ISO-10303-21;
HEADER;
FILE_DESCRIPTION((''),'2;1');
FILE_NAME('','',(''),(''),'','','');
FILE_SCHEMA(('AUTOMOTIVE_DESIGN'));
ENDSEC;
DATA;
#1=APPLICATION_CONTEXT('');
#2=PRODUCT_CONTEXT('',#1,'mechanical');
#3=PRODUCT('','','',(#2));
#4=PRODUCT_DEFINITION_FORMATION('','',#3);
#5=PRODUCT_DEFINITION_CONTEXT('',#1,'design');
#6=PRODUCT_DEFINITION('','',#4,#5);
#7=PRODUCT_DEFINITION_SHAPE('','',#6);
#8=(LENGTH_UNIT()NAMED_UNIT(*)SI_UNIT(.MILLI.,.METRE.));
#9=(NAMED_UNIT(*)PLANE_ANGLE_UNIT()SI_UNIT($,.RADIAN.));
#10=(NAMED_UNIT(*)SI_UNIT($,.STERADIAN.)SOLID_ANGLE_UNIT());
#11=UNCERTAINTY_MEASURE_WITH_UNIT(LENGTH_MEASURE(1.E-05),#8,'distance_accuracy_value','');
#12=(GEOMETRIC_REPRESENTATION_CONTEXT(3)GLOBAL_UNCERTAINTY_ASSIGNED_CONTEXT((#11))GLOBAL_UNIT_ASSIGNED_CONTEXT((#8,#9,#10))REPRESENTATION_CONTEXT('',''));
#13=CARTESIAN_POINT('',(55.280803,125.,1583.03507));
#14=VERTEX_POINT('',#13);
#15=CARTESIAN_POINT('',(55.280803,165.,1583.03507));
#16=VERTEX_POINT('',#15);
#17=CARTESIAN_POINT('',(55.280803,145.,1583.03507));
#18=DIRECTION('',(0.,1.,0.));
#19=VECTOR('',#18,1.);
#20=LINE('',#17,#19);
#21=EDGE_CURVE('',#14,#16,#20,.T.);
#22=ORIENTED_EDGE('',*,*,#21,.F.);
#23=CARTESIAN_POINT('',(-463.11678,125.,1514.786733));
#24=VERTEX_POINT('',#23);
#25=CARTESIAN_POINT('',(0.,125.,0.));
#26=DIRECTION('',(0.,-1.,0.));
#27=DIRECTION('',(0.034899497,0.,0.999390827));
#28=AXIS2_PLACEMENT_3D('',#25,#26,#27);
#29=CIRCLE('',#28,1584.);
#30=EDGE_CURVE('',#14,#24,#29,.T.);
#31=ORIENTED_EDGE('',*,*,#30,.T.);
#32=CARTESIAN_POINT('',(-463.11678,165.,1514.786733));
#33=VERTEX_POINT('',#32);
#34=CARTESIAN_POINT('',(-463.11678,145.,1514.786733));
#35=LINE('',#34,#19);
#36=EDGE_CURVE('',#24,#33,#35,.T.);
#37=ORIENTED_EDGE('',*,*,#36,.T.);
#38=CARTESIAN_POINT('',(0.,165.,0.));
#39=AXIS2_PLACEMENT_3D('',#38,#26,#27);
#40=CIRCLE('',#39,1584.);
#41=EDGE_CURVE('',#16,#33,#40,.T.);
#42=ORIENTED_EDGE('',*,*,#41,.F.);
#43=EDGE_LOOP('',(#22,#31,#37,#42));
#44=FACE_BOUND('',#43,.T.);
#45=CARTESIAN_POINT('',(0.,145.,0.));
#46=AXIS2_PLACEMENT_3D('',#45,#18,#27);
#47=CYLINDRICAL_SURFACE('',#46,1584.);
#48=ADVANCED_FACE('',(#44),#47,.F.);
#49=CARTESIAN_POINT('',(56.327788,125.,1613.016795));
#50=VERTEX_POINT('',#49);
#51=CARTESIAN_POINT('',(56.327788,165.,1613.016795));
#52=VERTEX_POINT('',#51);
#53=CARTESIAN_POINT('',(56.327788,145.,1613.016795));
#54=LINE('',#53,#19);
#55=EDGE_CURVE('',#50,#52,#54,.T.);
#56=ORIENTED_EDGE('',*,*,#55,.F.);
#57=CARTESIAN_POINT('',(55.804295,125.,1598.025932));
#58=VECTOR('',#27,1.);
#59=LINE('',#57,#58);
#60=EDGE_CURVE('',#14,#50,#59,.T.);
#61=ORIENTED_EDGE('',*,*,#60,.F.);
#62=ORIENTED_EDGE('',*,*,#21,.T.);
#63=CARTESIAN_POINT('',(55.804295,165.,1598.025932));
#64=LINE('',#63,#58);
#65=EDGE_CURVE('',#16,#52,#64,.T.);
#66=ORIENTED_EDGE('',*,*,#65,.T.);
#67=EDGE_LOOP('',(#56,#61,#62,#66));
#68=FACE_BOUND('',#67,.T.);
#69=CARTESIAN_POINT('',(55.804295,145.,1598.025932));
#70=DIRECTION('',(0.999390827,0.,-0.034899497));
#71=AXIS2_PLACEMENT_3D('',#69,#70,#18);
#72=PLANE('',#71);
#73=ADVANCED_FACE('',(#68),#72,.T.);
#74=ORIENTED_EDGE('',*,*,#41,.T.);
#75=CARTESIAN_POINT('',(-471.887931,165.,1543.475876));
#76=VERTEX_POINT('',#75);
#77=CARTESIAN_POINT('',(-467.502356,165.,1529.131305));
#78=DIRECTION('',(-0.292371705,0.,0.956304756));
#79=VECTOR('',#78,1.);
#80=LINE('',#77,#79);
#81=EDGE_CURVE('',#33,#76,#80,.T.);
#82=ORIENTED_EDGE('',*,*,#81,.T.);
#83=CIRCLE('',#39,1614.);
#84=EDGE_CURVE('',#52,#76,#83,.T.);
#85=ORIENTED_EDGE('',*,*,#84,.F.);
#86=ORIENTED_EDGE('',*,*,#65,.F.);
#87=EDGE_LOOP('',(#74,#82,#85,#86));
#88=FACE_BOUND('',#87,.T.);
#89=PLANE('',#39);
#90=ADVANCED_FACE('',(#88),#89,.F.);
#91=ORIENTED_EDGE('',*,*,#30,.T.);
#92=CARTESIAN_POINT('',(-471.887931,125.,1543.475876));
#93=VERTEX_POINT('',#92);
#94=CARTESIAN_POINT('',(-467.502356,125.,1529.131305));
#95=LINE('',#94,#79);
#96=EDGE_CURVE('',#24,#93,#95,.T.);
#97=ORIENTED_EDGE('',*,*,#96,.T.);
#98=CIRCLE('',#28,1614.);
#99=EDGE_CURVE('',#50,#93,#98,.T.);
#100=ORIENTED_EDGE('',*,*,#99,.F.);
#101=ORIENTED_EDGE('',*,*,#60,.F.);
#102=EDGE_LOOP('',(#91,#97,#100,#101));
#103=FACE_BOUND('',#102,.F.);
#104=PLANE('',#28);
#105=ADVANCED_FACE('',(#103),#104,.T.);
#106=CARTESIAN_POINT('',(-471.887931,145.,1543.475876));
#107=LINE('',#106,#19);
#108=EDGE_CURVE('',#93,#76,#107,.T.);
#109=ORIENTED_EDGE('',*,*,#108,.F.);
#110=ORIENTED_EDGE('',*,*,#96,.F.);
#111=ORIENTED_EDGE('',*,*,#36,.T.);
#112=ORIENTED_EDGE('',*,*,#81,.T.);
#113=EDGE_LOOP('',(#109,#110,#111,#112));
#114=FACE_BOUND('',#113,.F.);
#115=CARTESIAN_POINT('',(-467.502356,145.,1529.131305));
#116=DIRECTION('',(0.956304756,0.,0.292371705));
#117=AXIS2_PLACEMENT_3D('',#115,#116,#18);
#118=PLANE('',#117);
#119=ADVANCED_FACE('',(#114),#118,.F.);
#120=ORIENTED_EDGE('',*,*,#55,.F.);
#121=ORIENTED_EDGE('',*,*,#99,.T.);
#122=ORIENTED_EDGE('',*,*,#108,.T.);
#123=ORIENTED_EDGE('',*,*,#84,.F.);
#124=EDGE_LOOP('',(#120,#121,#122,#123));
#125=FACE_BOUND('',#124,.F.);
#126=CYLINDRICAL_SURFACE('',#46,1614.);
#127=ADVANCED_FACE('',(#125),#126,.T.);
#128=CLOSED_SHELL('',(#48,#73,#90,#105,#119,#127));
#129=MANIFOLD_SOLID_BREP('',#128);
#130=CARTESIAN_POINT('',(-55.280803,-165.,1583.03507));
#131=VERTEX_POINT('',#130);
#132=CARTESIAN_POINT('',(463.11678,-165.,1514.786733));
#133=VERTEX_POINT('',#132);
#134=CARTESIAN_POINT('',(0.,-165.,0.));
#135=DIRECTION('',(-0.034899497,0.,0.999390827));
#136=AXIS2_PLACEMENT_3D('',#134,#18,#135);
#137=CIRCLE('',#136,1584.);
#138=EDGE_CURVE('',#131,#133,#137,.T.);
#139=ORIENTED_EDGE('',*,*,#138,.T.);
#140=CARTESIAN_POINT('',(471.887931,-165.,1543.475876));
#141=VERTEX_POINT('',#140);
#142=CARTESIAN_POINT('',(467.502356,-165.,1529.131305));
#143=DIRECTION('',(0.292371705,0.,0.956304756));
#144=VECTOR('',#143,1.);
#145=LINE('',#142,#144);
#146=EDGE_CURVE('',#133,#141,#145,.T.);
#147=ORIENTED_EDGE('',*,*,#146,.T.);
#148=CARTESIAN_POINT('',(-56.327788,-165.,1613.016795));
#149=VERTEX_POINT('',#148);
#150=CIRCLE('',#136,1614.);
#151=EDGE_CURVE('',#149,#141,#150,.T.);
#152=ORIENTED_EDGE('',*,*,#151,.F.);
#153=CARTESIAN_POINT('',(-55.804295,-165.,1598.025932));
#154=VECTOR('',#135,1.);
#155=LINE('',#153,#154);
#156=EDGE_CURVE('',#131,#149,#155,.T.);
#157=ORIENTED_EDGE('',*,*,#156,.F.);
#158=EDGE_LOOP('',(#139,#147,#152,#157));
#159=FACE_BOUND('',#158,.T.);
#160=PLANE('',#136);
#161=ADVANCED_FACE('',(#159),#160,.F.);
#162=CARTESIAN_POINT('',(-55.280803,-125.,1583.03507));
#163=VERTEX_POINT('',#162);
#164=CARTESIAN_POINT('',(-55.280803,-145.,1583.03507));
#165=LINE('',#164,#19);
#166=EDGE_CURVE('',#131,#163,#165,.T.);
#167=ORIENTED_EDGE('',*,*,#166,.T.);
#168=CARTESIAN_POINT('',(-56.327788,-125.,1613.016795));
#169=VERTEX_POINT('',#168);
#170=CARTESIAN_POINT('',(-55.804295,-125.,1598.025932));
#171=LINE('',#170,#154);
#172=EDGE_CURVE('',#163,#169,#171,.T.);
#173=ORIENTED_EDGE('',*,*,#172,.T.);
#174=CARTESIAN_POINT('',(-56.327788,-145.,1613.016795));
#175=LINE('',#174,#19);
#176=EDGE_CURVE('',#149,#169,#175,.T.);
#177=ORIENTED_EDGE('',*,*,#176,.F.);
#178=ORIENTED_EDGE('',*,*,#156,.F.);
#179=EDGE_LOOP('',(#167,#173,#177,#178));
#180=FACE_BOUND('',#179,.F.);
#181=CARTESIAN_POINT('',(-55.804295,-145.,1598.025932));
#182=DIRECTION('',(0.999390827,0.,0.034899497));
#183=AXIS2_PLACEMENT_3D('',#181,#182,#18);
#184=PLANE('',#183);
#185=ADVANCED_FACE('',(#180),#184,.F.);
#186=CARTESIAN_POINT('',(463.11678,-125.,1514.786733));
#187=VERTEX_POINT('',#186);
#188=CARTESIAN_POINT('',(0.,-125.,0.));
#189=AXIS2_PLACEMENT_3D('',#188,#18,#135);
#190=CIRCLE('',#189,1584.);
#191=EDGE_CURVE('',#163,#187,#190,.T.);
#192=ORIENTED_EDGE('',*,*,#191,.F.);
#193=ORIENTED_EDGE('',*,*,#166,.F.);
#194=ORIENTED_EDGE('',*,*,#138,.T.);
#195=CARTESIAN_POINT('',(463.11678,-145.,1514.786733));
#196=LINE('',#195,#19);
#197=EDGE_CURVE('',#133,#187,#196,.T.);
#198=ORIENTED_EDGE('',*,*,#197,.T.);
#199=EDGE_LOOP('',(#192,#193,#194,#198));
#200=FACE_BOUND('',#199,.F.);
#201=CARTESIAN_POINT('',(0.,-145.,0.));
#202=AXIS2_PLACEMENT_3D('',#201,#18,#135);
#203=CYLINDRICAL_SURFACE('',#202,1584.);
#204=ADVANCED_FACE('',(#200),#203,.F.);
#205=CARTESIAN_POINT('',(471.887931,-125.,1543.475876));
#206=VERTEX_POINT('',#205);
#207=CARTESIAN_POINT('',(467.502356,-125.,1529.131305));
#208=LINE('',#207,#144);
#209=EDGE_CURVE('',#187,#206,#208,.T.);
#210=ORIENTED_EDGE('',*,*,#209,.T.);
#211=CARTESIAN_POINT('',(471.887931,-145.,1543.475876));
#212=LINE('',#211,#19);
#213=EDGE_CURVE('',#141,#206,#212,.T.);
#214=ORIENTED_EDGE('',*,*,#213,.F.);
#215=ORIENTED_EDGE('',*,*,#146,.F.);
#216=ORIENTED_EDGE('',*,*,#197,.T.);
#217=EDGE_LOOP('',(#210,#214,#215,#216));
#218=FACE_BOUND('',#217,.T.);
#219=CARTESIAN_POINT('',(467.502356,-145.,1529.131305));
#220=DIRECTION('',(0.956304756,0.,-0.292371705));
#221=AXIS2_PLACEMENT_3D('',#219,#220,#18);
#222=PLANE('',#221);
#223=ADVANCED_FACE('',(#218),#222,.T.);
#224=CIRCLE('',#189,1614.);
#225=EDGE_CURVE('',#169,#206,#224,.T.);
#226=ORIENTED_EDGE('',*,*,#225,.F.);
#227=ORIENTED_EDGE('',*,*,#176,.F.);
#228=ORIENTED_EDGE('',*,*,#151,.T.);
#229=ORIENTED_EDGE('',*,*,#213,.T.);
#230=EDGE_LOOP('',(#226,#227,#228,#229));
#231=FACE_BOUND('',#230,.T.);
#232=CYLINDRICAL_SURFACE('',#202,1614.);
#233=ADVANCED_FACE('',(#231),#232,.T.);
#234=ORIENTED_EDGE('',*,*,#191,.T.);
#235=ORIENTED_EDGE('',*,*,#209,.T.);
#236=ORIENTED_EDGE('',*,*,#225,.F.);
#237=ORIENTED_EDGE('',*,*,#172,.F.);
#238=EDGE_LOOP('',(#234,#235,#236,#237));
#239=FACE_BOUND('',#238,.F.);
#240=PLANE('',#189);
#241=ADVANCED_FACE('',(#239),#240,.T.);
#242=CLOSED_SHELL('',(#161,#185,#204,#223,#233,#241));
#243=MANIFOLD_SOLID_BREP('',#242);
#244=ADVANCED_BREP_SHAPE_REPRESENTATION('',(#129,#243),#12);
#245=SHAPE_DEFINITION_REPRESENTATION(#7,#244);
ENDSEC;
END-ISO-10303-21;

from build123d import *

# Parameters (mm, degrees)
F3_W          = 40
F3_H          = 30
F4_ANGLE_BACK = 2
F4_ANGLE      = 19
F5_ANGLE_BACK = 2
F5_ANGLE      = 19


with BuildPart() as f4:
    # F3 (on Right) → F4 (revolve)
    with BuildSketch(Plane.YZ, mode=Mode.PRIVATE) as f4_sk:
        with Locations((-145, 1599)):
            Rectangle(F3_W, F3_H)
    revolve(f4_sk.sketch.rotate(Axis((0, -0.2076134086, 0), (0, 1, 0)), -F4_ANGLE_BACK), axis=Axis((0, -0.2076134086, 0), (0, 1, 0)), revolution_arc=F4_ANGLE)


with BuildPart() as f5:
    # F3 (on Right) → F5 (revolve)
    with BuildSketch(Plane.YZ, mode=Mode.PRIVATE) as f5_sk:
        with Locations((145, 1599)):
            Rectangle(F3_W, F3_H)
    revolve(f5_sk.sketch.rotate(Axis((0, -0.2076134086, 0), (0, -1, 0)), -F5_ANGLE_BACK), axis=Axis((0, -0.2076134086, 0), (0, -1, 0)), revolution_arc=F5_ANGLE)


solid = Compound([f4.part, f5.part])
